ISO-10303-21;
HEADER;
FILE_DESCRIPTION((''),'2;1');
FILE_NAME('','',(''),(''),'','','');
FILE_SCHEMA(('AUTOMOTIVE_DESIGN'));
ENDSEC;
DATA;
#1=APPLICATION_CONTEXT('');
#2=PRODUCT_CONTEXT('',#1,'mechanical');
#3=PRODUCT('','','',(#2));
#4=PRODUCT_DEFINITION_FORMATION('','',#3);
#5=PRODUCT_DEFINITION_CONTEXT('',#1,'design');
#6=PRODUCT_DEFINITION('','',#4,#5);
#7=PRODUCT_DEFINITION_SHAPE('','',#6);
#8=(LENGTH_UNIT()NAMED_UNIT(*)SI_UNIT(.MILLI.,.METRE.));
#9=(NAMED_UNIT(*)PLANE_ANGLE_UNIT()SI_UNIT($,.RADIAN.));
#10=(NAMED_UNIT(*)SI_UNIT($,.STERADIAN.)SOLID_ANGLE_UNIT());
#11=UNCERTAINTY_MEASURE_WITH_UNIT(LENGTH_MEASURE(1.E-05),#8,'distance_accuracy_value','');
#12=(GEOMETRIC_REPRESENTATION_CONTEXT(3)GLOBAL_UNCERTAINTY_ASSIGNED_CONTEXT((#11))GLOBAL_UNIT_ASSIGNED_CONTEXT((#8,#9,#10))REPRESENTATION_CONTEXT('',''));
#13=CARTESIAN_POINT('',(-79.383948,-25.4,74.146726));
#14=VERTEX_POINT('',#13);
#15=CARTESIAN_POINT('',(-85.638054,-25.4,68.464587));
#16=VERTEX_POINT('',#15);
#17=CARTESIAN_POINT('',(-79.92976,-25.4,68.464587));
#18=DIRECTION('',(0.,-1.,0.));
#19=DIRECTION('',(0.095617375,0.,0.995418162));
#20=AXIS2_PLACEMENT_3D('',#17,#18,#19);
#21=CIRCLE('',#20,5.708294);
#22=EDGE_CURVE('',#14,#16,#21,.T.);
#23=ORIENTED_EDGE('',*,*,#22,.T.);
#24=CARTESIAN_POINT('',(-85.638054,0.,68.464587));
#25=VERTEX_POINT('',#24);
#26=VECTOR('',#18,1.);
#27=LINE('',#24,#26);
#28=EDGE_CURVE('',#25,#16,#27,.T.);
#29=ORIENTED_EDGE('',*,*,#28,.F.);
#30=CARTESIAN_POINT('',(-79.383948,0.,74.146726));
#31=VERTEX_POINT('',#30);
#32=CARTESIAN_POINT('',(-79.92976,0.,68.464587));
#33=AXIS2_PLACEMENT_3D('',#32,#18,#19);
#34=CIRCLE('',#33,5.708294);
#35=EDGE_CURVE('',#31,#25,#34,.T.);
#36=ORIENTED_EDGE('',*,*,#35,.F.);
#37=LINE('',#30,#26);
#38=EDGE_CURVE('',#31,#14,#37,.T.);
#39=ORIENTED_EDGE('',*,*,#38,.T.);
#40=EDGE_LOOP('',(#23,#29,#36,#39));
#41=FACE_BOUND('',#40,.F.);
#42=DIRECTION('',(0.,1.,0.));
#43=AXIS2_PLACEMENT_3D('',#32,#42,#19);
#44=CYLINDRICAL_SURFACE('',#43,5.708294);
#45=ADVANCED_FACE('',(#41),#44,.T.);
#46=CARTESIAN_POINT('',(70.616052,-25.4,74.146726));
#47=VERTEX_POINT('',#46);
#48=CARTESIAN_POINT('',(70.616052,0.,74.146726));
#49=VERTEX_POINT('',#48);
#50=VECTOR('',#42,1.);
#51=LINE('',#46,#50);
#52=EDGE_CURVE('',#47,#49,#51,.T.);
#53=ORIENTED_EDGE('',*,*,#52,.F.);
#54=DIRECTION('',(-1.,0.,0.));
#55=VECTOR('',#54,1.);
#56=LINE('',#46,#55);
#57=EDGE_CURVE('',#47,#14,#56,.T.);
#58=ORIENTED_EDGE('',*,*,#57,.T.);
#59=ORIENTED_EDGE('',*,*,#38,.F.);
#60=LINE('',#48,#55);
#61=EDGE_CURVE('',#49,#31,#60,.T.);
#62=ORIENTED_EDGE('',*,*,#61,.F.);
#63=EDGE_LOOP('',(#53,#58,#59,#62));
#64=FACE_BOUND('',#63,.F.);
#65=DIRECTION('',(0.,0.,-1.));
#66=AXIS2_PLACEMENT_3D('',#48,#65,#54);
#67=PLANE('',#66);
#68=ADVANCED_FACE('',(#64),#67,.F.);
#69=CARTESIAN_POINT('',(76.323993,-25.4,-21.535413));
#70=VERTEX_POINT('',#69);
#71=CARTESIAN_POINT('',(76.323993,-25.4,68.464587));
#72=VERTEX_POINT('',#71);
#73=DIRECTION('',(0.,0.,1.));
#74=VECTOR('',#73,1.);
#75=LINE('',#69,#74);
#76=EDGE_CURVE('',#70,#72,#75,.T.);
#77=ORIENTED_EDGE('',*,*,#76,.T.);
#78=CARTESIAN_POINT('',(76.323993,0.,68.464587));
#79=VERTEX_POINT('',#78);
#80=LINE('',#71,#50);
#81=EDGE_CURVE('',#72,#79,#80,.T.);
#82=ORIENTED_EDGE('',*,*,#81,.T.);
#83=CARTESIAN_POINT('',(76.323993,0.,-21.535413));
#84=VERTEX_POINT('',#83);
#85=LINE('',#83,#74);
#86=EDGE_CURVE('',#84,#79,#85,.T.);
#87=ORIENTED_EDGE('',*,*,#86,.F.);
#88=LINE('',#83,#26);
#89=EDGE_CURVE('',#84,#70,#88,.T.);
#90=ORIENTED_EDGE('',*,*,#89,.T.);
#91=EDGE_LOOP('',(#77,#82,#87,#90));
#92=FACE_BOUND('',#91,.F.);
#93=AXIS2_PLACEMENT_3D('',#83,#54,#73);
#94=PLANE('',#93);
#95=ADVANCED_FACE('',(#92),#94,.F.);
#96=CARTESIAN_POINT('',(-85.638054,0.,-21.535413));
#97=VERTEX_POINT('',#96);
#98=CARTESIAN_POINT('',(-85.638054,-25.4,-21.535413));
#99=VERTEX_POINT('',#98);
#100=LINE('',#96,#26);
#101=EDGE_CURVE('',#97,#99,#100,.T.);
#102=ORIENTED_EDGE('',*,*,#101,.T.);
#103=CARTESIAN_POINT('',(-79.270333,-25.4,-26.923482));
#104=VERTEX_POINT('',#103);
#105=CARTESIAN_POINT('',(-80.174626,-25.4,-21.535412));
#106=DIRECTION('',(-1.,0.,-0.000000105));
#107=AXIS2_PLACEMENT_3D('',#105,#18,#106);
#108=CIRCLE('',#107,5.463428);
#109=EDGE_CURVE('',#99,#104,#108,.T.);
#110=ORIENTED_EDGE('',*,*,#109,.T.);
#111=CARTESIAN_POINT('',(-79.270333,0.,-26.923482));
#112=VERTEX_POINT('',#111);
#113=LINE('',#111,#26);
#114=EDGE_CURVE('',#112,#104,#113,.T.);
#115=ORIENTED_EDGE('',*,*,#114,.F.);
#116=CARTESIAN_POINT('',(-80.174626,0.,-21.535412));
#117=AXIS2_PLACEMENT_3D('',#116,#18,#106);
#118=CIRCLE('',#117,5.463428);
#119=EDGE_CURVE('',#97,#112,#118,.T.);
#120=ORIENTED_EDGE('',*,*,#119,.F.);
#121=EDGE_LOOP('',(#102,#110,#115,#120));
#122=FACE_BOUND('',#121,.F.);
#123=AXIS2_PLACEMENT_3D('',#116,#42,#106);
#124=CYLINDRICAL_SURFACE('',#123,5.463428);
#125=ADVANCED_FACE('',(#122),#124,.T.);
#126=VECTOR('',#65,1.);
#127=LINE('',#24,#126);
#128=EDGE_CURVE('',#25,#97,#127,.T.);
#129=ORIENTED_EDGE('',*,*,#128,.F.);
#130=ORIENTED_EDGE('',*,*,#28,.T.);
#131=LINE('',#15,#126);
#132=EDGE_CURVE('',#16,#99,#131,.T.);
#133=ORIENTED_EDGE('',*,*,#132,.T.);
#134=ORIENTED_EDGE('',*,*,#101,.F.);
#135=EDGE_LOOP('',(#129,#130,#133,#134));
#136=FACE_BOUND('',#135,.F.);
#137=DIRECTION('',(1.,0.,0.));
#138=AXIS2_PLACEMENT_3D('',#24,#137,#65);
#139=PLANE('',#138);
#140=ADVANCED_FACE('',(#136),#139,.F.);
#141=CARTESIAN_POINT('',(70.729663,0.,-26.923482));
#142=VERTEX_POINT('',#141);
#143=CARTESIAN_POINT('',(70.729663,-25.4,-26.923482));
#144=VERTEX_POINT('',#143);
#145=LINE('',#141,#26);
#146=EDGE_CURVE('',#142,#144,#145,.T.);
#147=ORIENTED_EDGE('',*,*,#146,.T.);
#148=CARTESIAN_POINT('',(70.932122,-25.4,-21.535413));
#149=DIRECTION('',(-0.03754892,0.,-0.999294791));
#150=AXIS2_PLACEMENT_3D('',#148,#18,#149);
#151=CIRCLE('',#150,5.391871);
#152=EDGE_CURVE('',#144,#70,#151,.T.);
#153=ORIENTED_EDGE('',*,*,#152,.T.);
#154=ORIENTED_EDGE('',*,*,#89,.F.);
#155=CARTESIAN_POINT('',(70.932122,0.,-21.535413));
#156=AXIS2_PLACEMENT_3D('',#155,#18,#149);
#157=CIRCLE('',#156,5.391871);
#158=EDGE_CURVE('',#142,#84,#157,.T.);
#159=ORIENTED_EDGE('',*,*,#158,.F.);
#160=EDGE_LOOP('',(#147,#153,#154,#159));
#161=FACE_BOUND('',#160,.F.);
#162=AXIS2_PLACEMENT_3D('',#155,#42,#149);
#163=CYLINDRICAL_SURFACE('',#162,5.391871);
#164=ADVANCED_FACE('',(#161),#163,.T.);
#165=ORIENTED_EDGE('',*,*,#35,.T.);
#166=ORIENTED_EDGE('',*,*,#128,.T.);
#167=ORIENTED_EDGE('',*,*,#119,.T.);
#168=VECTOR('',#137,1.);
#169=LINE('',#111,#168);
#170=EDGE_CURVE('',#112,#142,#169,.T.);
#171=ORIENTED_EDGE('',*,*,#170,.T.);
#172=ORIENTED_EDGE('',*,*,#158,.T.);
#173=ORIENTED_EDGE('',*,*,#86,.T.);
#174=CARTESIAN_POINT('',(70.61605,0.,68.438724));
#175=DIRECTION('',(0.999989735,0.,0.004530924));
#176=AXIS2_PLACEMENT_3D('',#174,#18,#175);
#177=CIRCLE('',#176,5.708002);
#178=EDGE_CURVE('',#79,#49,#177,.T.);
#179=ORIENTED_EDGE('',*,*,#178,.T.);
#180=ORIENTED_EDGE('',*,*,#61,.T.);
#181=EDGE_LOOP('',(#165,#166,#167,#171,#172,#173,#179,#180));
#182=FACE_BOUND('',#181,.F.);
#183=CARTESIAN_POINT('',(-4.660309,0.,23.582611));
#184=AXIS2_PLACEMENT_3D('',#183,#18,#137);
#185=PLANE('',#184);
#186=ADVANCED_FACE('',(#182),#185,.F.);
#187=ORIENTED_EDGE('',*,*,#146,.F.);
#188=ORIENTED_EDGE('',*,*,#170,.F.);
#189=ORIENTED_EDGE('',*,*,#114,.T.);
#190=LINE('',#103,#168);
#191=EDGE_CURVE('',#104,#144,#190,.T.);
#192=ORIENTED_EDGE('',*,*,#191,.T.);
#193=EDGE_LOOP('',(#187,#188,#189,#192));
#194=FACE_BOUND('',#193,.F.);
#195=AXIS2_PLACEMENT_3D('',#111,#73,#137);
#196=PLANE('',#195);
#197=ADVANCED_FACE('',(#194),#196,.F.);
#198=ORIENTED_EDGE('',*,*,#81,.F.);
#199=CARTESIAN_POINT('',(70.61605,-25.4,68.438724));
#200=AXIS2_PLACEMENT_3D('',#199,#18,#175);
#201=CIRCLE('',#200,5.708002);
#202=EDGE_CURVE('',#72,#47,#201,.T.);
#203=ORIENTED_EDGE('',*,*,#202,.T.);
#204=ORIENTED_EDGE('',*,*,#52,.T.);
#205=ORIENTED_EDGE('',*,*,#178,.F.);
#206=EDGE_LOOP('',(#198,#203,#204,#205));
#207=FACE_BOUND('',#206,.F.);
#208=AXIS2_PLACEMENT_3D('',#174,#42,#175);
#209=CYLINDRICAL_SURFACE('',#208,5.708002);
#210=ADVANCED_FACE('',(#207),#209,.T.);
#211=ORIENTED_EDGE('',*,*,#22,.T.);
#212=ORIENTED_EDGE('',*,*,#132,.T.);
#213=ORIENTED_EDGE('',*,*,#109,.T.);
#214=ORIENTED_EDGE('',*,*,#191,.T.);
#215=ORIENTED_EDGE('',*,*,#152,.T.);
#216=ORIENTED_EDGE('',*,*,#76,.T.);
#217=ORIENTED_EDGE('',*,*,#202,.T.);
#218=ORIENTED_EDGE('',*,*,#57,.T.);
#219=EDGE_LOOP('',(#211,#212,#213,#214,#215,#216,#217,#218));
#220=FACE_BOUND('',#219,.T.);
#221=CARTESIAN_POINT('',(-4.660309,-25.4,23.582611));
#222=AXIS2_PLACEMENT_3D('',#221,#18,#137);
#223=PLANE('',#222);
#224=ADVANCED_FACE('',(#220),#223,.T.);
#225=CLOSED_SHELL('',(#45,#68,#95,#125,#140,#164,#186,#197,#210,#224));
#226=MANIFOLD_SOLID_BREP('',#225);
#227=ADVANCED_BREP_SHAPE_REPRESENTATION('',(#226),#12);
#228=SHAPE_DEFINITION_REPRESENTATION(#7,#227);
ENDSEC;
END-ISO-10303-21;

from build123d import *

# Parameters (mm, degrees)
F1_DEPTH = 25.4
F2_DEPTH = 25


with BuildPart() as f1:
    # F0 (on Front) → F1 (new body)
    with BuildSketch(Plane.XZ):
        with BuildLine():
            Line((70.616052, 74.146726), (-79.383948, 74.146726))
            ThreePointArc((-79.383948, 74.146726), (-83.768312, 72.689529), (-85.638054, 68.464587))
            Line((-85.638054, 68.464587), (-85.638054, -21.535413))
            ThreePointArc((-85.638054, -21.535413), (-83.703684, -25.706119), (-79.270333, -26.923482))
            Line((-79.270333, -26.923482), (70.729663, -26.923482))
            ThreePointArc((70.729663, -26.923482), (74.672486, -25.418962), (76.323993, -21.535413))
            Line((76.323993, -21.535413), (76.323993, 68.464587))
            ThreePointArc((76.323993, 68.464587), (74.643063, 72.484024), (70.616052, 74.146726))
        make_face()
    extrude(amount=F1_DEPTH)

    # F0 (on Front) → F2 (join)
    with BuildSketch(Plane.XZ):
        with BuildLine():
            Line((70.616052, 74.146726), (-79.383948, 74.146726))
            ThreePointArc((-79.383948, 74.146726), (-83.768312, 72.689529), (-85.638054, 68.464587))
            Line((-85.638054, 68.464587), (-85.638054, -21.535413))
            ThreePointArc((-85.638054, -21.535413), (-83.703684, -25.706119), (-79.270333, -26.923482))
            Line((-79.270333, -26.923482), (70.729663, -26.923482))
            ThreePointArc((70.729663, -26.923482), (74.672486, -25.418962), (76.323993, -21.535413))
            Line((76.323993, -21.535413), (76.323993, 68.464587))
            ThreePointArc((76.323993, 68.464587), (74.643063, 72.484024), (70.616052, 74.146726))
        make_face()
    extrude(amount=F2_DEPTH)


solid = f1.part
